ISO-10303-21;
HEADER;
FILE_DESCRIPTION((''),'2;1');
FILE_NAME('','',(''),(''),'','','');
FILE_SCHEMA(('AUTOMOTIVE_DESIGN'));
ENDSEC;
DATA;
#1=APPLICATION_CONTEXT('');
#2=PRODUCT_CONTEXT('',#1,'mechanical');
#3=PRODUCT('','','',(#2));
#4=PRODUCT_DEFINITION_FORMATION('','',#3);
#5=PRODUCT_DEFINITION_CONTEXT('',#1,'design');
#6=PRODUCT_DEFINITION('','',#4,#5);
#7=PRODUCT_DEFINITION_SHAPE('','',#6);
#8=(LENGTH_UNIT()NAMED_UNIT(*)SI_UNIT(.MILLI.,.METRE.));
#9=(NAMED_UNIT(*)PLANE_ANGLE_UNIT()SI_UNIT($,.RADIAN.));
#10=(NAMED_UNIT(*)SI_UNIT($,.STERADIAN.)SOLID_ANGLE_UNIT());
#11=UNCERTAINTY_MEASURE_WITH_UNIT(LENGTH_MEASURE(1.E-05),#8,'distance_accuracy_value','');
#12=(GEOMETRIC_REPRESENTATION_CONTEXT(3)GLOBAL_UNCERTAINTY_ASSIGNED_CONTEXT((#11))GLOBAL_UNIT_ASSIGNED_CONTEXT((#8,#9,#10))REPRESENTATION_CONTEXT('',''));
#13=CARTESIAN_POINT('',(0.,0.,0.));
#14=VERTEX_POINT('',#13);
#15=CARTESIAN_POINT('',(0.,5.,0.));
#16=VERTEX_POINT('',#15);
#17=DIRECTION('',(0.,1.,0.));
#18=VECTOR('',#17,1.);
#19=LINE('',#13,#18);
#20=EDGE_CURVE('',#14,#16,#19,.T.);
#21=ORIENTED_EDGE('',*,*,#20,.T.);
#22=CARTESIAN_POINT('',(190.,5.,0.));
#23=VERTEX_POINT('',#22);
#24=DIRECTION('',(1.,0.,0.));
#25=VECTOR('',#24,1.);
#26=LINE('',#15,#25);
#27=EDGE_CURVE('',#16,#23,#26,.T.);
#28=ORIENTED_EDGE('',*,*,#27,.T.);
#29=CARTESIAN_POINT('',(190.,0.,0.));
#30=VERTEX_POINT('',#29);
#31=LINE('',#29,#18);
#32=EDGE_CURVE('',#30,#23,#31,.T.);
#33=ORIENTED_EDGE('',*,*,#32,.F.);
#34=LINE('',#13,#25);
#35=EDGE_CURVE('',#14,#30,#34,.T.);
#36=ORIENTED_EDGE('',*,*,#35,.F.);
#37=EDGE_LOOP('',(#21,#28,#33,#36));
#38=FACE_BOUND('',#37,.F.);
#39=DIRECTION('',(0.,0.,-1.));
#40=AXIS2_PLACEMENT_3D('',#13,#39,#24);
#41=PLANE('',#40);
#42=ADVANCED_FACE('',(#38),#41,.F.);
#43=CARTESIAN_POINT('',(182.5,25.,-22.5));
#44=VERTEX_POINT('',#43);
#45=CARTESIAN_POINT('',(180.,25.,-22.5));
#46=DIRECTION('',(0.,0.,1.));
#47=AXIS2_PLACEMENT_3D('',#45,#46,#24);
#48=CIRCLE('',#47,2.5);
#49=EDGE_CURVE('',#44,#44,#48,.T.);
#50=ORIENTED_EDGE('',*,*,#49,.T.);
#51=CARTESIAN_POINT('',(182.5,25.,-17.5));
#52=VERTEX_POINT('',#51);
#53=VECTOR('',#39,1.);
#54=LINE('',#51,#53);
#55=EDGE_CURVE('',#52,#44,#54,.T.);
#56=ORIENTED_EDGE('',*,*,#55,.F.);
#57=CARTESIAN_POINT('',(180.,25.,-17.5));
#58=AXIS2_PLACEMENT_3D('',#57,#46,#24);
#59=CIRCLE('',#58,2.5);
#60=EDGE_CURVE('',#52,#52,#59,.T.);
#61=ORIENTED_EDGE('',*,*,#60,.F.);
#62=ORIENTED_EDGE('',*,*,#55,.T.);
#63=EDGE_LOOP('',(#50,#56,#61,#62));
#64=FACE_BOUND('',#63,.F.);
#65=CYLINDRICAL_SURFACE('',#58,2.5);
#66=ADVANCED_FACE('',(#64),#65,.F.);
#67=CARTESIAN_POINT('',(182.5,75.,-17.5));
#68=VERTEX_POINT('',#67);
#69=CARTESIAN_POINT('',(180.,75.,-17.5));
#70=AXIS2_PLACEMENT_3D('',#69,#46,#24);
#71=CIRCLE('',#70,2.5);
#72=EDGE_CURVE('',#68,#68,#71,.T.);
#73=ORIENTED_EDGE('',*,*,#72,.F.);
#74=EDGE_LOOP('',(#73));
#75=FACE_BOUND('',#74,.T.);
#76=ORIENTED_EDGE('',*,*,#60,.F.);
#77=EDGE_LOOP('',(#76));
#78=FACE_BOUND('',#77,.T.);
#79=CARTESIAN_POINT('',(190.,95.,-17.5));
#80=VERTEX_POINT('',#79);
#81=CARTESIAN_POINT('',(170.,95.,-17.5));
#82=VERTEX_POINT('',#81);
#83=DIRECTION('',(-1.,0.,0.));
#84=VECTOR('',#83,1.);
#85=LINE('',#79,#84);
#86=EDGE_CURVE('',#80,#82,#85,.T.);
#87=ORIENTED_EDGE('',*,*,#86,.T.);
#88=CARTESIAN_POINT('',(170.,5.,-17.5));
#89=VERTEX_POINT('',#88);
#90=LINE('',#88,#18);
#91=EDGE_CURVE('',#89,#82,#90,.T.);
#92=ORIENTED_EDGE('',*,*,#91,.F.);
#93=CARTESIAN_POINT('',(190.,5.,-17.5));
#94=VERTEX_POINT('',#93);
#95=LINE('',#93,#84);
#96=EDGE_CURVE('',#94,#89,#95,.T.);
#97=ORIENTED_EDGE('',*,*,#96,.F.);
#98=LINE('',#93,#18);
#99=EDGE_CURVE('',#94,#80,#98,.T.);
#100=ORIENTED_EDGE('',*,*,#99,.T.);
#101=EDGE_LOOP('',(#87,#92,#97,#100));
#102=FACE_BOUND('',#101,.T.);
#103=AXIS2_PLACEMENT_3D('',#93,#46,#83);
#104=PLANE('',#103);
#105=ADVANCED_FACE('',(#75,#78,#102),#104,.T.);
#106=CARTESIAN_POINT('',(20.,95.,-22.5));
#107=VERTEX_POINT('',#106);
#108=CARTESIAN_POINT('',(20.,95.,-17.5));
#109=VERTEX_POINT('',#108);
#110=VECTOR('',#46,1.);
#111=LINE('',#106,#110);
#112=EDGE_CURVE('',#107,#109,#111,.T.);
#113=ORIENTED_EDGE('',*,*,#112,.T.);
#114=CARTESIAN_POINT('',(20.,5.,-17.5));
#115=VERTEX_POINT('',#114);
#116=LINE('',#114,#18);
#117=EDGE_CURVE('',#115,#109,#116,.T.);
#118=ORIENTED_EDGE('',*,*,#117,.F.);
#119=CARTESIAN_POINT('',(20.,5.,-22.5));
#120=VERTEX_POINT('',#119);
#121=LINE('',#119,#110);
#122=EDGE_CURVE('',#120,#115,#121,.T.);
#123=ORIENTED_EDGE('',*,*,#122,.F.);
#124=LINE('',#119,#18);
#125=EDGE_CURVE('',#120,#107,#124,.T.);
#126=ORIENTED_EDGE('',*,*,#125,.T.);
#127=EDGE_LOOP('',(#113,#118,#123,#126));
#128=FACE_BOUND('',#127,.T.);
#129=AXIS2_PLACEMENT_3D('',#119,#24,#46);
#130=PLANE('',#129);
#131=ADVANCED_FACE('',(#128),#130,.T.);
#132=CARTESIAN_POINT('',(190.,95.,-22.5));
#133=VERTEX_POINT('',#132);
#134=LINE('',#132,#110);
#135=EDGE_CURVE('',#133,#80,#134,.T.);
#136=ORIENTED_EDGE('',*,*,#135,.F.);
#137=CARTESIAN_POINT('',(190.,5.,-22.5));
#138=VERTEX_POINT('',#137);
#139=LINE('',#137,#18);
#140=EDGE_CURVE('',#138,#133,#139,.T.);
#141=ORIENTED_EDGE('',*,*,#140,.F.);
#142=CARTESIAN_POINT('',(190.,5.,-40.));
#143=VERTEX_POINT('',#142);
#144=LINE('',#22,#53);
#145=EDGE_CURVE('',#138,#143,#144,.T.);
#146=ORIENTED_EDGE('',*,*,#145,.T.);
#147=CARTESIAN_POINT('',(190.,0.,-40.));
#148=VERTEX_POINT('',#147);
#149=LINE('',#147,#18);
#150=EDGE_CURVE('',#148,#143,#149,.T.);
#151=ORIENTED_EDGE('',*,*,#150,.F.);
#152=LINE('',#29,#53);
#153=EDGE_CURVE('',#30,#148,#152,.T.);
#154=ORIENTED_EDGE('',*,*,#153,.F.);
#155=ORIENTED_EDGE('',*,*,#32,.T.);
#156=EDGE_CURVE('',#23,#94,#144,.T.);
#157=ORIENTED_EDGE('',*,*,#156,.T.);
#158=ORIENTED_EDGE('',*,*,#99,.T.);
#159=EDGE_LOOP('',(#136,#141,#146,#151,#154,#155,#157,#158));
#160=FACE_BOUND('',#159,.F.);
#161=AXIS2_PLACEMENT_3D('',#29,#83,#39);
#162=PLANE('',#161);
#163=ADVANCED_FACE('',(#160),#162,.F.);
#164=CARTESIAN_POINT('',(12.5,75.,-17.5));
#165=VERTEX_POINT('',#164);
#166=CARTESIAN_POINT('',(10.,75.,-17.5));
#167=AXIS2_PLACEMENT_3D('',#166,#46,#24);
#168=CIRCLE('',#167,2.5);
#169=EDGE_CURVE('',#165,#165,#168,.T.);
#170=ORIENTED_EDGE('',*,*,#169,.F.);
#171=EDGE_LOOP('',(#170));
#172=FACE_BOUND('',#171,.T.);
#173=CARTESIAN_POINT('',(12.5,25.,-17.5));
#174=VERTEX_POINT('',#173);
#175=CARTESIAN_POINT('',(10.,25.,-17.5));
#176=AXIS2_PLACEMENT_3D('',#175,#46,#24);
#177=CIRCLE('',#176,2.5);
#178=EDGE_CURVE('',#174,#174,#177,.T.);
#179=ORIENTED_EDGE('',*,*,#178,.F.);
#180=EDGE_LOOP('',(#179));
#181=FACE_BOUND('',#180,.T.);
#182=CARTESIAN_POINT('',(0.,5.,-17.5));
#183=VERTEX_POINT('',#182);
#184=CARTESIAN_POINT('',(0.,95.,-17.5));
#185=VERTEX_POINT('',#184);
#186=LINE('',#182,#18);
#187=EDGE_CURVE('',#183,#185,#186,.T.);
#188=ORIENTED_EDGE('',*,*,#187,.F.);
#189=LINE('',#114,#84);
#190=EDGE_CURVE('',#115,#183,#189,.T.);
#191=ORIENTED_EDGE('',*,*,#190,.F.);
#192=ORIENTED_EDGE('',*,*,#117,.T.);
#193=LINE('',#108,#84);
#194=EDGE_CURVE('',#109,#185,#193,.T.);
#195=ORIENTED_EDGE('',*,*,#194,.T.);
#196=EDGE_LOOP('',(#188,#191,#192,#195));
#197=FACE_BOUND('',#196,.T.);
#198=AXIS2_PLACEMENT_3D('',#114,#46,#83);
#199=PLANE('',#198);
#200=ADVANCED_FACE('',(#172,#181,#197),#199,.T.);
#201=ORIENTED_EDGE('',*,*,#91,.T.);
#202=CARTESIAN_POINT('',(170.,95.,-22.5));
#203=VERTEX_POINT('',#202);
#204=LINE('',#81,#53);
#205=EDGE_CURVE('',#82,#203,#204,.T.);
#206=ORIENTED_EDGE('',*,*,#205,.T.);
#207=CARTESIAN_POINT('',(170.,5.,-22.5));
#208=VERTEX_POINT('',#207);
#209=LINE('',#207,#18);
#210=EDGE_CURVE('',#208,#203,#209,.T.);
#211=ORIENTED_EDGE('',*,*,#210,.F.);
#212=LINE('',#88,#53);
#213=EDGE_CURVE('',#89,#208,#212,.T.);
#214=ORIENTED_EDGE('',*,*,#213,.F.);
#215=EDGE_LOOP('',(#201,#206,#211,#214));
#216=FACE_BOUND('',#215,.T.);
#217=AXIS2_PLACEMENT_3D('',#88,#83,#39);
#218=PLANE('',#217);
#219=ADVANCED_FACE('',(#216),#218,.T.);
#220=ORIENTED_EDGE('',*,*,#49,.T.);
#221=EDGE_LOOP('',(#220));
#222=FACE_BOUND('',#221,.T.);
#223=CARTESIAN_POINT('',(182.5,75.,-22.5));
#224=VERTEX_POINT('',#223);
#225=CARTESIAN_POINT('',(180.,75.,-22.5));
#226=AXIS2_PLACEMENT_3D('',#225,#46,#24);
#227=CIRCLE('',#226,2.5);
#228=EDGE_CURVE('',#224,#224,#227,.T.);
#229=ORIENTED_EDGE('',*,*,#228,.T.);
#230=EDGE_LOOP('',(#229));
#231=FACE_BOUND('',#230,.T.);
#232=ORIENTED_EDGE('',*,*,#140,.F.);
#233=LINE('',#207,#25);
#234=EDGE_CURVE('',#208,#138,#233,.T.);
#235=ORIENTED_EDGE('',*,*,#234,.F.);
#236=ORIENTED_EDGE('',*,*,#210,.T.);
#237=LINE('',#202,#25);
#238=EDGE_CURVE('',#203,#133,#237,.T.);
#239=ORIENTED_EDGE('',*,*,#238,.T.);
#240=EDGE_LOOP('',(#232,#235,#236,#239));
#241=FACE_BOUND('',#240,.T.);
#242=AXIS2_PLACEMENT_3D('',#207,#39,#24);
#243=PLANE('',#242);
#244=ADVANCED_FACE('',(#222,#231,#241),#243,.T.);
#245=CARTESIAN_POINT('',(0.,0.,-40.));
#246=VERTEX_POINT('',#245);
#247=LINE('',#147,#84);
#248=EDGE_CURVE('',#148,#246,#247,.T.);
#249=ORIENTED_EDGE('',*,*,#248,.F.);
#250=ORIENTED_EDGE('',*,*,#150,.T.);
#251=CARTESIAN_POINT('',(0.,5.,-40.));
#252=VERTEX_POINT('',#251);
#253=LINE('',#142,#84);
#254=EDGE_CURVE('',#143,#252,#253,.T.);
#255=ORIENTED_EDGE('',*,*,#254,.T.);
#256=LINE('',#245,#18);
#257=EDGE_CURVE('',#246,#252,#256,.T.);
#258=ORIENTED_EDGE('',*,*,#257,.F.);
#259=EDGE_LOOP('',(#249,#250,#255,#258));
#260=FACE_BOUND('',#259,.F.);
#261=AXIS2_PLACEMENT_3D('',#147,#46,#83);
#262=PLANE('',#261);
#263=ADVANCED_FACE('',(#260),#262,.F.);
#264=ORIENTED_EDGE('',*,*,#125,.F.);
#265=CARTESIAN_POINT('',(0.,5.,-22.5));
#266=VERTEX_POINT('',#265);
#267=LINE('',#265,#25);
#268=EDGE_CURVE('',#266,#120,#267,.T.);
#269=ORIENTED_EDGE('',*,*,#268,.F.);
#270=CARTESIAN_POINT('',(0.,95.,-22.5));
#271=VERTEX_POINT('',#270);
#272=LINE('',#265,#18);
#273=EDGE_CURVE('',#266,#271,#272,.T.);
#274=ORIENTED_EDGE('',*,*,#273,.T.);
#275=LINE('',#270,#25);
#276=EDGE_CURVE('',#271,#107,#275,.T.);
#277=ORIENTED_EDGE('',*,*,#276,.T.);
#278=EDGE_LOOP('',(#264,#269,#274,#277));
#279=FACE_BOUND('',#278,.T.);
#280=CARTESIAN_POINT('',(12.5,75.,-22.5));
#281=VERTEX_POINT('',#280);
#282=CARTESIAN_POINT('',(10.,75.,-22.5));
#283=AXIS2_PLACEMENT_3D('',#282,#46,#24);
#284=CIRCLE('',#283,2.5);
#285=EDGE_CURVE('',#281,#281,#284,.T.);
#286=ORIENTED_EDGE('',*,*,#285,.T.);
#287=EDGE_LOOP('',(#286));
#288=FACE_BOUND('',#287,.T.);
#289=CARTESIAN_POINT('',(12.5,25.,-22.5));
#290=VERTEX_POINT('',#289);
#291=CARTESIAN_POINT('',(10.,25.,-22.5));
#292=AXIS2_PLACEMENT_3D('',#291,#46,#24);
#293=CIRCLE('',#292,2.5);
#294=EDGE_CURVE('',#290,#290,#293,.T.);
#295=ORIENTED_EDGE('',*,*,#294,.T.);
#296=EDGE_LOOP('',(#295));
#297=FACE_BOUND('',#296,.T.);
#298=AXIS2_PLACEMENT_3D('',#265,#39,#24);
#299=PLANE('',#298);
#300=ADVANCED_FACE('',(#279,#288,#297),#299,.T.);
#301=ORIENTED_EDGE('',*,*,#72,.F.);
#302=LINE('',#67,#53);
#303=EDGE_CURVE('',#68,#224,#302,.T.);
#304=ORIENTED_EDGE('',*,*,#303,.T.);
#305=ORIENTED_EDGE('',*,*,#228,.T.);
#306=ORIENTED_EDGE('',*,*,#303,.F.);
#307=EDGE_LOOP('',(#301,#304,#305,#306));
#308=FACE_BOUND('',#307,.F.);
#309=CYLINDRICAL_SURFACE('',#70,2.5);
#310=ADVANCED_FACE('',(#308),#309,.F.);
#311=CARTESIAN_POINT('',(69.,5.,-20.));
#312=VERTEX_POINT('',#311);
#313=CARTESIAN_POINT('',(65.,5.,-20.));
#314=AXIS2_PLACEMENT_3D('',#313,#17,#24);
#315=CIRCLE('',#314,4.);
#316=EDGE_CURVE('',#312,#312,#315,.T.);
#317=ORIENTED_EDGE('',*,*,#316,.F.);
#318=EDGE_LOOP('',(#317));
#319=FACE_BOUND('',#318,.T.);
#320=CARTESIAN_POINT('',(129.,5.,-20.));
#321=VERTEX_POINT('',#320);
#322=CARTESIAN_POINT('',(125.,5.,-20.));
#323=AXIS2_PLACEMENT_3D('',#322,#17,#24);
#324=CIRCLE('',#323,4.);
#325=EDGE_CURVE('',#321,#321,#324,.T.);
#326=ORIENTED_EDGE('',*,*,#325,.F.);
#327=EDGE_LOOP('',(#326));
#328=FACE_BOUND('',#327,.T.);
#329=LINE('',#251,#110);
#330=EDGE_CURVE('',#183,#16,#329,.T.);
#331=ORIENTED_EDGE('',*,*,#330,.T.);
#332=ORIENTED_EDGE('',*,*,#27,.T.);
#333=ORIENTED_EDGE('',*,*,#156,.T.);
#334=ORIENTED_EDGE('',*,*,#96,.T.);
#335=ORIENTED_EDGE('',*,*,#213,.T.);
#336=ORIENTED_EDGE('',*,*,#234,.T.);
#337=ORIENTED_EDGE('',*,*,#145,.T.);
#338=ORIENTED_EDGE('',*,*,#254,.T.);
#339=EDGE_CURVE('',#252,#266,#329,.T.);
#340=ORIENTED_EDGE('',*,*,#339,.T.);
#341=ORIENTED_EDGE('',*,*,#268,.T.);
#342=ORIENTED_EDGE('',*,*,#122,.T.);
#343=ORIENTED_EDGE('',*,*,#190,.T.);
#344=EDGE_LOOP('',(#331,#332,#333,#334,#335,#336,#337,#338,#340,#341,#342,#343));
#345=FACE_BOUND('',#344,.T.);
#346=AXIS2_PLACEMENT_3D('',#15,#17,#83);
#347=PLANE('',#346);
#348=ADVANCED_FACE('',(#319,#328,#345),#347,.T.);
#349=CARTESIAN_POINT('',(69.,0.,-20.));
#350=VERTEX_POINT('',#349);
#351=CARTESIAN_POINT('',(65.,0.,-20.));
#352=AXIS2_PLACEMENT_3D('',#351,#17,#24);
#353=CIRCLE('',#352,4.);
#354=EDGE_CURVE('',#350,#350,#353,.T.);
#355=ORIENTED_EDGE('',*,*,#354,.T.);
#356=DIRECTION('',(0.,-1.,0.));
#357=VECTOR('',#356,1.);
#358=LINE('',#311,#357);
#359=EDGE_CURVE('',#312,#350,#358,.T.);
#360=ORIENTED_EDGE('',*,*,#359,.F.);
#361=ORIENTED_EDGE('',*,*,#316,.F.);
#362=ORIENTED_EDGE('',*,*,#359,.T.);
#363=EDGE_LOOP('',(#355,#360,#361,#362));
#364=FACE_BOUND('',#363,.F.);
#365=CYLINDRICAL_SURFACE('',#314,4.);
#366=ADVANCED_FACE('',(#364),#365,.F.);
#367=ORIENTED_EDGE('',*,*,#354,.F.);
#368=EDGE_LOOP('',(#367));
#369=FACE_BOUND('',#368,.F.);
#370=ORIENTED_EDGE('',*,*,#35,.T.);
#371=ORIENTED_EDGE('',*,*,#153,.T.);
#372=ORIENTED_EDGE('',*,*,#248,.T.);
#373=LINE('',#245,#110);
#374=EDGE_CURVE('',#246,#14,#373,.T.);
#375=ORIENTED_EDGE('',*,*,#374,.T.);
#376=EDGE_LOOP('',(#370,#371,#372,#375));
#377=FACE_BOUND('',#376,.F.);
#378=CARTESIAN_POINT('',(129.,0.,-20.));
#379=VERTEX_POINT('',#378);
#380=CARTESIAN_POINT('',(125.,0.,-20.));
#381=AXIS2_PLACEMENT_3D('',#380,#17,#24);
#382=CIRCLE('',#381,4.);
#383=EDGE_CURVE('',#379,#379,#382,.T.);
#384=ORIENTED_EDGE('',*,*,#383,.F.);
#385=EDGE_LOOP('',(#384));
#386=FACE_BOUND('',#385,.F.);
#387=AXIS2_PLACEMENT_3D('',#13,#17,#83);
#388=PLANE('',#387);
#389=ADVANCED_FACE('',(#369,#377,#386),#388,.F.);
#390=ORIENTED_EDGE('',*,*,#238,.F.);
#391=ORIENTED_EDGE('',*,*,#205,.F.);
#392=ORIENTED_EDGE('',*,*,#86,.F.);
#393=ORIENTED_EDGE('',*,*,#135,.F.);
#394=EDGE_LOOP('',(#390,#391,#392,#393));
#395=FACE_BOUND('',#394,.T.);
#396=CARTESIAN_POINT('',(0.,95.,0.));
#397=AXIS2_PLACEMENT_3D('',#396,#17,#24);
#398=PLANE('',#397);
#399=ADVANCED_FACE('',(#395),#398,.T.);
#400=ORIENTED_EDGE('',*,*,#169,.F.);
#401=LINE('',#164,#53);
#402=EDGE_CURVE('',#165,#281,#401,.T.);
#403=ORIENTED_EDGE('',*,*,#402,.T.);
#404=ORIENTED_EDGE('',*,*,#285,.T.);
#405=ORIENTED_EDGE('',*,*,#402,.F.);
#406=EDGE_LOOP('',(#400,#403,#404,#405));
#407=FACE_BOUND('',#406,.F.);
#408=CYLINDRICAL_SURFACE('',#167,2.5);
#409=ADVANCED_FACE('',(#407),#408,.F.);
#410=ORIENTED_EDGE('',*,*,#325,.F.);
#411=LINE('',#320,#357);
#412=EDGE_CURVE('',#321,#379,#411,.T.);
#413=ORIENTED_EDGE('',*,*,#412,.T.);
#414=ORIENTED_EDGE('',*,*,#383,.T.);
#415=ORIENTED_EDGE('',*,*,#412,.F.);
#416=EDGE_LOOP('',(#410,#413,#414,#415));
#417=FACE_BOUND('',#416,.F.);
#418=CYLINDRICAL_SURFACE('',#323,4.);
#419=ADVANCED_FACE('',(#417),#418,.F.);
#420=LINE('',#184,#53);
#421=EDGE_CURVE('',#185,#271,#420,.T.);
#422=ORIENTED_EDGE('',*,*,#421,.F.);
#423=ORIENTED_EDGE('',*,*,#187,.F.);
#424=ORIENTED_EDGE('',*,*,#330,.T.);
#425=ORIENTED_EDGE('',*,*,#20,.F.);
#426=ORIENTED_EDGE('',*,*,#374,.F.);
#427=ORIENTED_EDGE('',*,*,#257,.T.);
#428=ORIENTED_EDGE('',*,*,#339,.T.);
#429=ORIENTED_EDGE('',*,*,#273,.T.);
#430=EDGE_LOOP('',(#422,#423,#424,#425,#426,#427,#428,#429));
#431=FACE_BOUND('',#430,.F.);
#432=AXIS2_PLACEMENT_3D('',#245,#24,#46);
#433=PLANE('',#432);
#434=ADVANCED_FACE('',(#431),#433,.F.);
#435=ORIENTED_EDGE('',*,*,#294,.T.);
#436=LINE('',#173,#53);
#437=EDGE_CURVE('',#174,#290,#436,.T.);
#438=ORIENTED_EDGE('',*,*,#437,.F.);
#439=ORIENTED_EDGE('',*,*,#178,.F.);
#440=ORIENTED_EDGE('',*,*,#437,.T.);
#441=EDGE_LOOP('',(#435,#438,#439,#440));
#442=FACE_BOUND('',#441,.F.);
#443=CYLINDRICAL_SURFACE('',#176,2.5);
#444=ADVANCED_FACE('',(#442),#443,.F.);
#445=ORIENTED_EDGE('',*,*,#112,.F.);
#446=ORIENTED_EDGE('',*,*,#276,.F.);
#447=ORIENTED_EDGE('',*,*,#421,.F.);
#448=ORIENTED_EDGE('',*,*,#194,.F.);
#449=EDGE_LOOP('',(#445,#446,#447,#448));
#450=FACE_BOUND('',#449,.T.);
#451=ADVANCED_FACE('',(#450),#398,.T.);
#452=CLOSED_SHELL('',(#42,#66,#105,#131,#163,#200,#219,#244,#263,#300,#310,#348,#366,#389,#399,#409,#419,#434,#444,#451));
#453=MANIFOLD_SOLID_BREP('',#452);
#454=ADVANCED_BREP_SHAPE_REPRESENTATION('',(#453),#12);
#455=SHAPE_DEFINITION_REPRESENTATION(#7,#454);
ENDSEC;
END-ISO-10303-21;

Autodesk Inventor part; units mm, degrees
ref_plane "YZ Plane" through (0, 0, 0) normal (1, 0, 0) x (0, 1, 0)
ref_plane "XZ Plane" through (0, 0, 0) normal (0, 1, 0) x (-1, 0, 0)
ref_plane "XY Plane" through (0, 0, 0) normal (0, 0, 1) x (1, 0, 0)
sketch "Sketch1" plane through (0, 0, 0) normal (0, 1, 0) x (-1, 0, 0)
  line L0 (0, 0) -> (-190, 0)
  line L1 (-190, 0) -> (-190, -40)
  line L2 (-190, -40) -> (0, -40)
  line L3 (0, -40) -> (0, 0)
  dimension "d0" = 190
  dimension "d1" = 40
extrude "Extrusion1" add sketch "Sketch1" along normal blind 5
sketch "Sketch2" plane through (0, 5, 0) normal (0, 1, 0) x (1, 0, 0)
  line L0 (20, 17.5) -> (0, 17.5)
  line L1 (0, 17.5) -> (0, 22.5)
  line L2 (0, 22.5) -> (20, 22.5)
  line L3 (20, 22.5) -> (20, 17.5)
  line L4 (170, 22.5) -> (190, 22.5)
  line L5 (190, 22.5) -> (190, 17.5)
  line L6 (190, 17.5) -> (170, 17.5)
  line L7 (170, 17.5) -> (170, 22.5)
  line L8 (0, 40) -> (0, 0) projected
  line L9 (190, 0) -> (190, 40) projected
  point P0 (0, 20)
  point P1 (0, 20)
  point P2 (190, 20)
  point P3 (190, 20)
  point P4 (0, 20)
  point P5 (190, 20)
  dimension "d4" = 20
  dimension "d5" = 5
  dimension "d6" = 20
  dimension "d7" = 5
extrude "Extrusion2" add sketch "Sketch2" along normal blind 90
sketch "Sketch3" plane through (0, 5, 0) normal (0, 1, 0) x (1, 0, 0)
  circle A0 centre (65, 20) radius 4
  circle A1 centre (125, 20) radius 4
  line L0 (0, 22.5) -> (0, 17.5) projected
  line L1 (65, 20) -> (125, 20) construction
  line L2 (0, 0) -> (190, 0) projected
  point P0 (0, 20)
  point P1 (95, 20)
  point P2 (95, 0)
  dimension "d10" = 8
  dimension "d11" = 8
  dimension "d12" = 60
extrude "Extrusion3" cut sketch "Sketch3" against normal blind 90
sketch "Sketch4" plane through (170, 5, -17.5) normal (0, 0, 1) x (1, 0, 0)
  circle A0 centre (10, 20) radius 2.5
  circle A1 centre (10, 70) radius 2.5
  circle A2 centre (-160, 70) radius 2.5
  circle A3 centre (-160, 20) radius 2.5
  line L0 (0, 90) -> (20, 90) projected
  line L1 (-170, 90) -> (-150, 90) projected
  point P0 (-170, -5)
  point P1 (10, 90)
  point P2 (-160, 90)
  dimension "d17" = 5
  dimension "d18" = 5
  dimension "d19" = 5
  dimension "d20" = 5
  dimension "d21" = 50
  dimension "d22" = 50
  dimension "d23" = 20
  dimension "d24" = 20
extrude "Extrusion4" cut sketch "Sketch4" against normal blind 90
equation "\"d22\" = d21"
equation "\"d24\" = d23"
properties part number "X-Axis Panel Mount" material "Steel"
